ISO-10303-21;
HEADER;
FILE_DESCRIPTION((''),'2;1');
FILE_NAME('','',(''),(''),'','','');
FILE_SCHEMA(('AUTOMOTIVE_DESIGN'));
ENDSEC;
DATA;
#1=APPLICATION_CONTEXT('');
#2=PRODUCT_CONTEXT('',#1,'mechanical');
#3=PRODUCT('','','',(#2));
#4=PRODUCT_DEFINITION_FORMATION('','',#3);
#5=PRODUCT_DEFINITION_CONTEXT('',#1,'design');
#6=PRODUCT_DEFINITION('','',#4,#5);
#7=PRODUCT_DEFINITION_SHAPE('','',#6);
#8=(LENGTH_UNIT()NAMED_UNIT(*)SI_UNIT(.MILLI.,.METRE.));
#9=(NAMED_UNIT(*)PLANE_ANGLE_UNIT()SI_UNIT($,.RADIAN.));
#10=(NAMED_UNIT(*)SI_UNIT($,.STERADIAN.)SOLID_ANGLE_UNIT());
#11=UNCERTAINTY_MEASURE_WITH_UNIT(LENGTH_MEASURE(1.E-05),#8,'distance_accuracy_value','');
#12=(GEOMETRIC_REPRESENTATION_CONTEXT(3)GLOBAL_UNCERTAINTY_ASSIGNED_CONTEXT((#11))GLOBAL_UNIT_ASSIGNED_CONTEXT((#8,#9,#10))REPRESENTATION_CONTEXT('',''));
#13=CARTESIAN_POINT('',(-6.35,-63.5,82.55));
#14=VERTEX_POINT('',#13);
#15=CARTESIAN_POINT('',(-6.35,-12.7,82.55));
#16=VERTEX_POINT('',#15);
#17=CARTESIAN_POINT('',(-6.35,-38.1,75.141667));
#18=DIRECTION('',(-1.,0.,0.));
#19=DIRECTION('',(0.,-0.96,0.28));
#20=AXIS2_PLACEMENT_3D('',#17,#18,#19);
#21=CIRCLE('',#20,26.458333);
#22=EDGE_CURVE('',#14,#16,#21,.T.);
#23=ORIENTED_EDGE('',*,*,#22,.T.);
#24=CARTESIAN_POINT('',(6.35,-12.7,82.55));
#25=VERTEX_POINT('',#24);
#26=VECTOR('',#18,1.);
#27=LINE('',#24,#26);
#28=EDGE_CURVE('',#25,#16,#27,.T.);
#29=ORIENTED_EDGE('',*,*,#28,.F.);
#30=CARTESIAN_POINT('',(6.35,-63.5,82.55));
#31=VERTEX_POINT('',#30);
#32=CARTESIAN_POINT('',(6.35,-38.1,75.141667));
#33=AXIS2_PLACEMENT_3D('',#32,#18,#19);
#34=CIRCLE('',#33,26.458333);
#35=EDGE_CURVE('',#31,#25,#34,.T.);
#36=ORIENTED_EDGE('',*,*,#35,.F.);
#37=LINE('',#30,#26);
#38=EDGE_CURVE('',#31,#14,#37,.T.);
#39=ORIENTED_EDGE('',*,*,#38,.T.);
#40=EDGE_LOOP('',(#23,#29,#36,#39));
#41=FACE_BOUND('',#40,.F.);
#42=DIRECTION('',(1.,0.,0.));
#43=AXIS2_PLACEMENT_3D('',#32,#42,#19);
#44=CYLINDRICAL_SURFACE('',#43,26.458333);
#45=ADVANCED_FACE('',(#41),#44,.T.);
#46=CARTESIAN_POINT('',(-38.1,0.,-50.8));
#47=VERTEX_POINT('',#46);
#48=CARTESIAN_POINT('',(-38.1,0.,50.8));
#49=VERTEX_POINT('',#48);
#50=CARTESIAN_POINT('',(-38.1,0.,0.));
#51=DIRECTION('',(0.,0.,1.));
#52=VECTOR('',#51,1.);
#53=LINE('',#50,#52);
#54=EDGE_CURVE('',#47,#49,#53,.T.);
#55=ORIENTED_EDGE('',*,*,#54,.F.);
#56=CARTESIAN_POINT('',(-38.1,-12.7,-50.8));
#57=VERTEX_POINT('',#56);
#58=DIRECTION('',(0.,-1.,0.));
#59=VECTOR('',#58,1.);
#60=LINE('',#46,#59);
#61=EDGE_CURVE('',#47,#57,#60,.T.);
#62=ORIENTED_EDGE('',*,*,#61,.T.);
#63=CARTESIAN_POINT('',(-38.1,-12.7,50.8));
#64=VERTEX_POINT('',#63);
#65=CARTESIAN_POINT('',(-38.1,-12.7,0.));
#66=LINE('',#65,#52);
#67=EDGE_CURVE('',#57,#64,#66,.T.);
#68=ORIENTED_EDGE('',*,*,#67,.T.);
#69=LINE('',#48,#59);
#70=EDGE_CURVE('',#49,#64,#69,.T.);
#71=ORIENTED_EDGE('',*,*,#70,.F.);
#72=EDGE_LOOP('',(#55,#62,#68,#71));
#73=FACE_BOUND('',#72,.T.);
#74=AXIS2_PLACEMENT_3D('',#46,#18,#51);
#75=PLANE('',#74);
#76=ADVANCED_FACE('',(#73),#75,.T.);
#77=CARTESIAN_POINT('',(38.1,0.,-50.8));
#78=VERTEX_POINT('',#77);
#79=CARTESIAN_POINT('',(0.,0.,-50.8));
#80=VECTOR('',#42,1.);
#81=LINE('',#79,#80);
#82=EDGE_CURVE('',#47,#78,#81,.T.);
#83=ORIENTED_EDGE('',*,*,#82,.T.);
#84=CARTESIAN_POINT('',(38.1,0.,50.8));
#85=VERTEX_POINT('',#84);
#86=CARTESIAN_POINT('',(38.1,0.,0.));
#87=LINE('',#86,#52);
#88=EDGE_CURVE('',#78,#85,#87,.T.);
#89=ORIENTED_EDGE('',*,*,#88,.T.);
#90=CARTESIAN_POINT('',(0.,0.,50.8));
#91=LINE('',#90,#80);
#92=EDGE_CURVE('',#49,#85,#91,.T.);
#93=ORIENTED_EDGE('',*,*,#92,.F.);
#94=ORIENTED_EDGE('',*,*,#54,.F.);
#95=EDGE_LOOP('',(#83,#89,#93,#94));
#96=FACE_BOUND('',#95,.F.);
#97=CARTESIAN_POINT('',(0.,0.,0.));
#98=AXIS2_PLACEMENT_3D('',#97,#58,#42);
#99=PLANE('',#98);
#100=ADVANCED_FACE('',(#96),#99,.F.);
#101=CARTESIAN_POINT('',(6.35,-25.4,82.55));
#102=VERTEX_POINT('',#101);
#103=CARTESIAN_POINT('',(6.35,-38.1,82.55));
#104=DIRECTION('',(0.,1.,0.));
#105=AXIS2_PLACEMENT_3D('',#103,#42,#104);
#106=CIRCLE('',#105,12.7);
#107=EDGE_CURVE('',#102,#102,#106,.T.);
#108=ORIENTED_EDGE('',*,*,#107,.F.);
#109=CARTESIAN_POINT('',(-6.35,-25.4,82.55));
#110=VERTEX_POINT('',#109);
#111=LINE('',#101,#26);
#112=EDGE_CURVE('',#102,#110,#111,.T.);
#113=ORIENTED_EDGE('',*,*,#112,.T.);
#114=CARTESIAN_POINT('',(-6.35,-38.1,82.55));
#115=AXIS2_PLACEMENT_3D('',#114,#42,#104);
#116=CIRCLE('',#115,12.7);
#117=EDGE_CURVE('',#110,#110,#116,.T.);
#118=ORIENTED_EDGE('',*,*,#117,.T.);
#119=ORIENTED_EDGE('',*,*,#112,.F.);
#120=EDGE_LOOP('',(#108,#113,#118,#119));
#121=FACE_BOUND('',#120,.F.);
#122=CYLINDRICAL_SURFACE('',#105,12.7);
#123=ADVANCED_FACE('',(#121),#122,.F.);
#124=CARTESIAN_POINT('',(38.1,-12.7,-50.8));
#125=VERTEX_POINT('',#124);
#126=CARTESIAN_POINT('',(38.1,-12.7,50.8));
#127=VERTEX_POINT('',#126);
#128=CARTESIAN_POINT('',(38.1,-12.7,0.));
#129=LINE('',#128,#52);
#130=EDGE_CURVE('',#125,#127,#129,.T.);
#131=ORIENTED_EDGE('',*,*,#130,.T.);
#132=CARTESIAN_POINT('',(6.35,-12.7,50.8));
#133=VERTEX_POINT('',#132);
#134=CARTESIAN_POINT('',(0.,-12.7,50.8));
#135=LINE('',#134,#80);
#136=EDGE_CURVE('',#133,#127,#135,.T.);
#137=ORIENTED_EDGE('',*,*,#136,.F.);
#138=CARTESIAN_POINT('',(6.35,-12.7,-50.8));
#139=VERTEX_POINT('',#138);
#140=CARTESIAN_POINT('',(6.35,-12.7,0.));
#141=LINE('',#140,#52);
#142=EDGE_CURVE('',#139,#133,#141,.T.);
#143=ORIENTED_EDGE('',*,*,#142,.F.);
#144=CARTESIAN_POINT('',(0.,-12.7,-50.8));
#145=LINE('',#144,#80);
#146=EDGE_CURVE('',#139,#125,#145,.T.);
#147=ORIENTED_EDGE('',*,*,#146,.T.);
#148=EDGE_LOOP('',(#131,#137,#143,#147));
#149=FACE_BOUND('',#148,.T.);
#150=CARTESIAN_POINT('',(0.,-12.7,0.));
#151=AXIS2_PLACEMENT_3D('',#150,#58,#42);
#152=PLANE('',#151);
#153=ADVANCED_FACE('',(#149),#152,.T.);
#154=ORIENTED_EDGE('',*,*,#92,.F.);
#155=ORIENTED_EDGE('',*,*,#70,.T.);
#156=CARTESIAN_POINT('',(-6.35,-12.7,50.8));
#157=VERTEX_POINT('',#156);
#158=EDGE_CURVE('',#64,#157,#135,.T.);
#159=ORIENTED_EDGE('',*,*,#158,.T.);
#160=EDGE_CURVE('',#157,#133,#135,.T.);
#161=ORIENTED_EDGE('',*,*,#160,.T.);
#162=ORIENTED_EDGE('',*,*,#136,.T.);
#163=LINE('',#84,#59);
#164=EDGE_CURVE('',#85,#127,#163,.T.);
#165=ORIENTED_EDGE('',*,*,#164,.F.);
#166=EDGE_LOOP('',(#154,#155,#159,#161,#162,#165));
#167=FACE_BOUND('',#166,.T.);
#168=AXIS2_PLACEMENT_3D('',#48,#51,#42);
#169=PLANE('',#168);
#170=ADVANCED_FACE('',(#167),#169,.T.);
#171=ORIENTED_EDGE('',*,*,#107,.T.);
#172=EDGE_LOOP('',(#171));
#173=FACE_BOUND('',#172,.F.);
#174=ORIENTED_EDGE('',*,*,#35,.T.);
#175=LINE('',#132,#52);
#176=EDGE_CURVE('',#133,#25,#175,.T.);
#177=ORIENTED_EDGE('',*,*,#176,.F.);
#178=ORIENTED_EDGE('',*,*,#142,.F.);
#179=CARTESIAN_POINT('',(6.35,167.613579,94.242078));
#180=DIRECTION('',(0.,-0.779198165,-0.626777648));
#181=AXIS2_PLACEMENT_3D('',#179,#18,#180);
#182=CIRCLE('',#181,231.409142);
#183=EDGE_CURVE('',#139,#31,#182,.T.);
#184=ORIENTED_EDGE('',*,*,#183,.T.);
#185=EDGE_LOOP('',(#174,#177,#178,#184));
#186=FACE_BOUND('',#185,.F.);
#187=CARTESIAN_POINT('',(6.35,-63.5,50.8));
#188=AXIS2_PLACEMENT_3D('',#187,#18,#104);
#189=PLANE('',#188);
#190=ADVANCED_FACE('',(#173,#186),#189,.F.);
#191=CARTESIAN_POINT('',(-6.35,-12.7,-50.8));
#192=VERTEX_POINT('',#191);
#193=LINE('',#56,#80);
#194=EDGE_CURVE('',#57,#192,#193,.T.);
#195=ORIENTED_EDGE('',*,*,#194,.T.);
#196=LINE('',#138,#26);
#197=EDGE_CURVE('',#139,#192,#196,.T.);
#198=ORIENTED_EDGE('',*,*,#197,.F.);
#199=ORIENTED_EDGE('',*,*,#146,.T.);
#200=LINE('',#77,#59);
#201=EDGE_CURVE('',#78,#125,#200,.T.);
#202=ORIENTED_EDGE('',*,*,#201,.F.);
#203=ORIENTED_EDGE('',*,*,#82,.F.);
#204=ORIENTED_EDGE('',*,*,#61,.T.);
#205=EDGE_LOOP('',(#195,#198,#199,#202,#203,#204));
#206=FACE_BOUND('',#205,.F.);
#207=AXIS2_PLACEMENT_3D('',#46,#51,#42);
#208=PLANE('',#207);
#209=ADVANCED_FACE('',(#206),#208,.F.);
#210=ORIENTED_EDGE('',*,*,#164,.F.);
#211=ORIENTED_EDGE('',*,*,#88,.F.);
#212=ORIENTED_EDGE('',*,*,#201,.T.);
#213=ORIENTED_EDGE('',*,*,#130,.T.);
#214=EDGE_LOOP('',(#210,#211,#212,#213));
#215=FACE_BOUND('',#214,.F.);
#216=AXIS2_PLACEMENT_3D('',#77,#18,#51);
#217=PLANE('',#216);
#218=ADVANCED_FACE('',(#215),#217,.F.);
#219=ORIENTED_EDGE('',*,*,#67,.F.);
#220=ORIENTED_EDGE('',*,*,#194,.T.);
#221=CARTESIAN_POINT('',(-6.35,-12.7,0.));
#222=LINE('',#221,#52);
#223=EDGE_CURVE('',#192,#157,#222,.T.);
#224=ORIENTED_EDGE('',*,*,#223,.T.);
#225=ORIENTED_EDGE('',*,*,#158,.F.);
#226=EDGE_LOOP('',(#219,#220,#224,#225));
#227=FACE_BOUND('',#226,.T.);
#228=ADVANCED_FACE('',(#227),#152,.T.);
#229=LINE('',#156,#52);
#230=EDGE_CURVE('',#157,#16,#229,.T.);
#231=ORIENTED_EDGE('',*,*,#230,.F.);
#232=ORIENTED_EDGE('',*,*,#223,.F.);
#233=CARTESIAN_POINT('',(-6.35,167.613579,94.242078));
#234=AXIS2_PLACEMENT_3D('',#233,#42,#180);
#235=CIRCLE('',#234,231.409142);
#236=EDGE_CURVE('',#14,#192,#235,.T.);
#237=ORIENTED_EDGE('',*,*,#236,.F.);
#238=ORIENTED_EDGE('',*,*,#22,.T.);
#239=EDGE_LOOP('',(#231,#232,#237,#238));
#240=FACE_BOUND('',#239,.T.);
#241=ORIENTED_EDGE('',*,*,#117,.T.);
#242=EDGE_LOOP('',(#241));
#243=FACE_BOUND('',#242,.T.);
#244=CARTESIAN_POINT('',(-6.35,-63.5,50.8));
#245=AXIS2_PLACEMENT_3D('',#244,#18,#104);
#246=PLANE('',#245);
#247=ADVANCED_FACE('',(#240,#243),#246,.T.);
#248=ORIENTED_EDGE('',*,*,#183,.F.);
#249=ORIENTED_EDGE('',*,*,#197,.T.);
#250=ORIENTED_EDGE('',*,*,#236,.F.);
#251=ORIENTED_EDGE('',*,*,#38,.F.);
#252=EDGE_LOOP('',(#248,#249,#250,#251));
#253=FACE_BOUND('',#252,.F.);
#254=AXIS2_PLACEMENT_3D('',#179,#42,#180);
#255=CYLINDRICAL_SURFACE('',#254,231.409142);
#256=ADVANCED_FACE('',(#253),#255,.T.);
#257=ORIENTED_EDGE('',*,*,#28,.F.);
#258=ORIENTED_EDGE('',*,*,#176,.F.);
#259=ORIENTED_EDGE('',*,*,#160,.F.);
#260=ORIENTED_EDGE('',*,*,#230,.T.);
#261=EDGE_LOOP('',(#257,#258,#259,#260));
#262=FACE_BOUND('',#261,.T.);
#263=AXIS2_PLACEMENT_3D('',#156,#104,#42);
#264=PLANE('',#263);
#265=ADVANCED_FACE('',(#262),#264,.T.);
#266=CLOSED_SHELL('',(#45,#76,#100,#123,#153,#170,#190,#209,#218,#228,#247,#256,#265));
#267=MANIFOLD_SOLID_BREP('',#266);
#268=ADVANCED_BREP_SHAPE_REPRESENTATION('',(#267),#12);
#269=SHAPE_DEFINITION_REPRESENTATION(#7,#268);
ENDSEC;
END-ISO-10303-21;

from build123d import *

# Parameters (mm, degrees)
F0_W     = 76.2
F0_H     = 101.6
F1_DEPTH = 12.7
F2_W     = 12.7
F2_H     = 101.6
F3_DEPTH = 50.8
F4_W     = 12.7
F4_H     = 50.8
F5_DEPTH = 50.8
F6_R     = 12.7
F7_DEPTH = 25.4


with BuildPart() as f1:
    # F0 (on Front) → F1 (new body)
    with BuildSketch(Plane.XZ):
        Rectangle(F0_W, F0_H)
    extrude(amount=F1_DEPTH)

    # F2 (on face) → F3 (join)
    with BuildSketch(Plane.XZ.offset(12.7)):
        Rectangle(F2_W, F2_H)
    extrude(amount=F3_DEPTH)

    # F4 (on face) → F5 (join)
    with BuildSketch(Plane.XY.offset(50.8)):
        with Locations((0, -38.1)):
            Rectangle(F4_W, F4_H)
    extrude(amount=F5_DEPTH)

    # F6 (on face) → F7 (cut)
    with BuildSketch(Plane.YZ.offset(6.35)):
        with Locations((-38.1, 82.55)):
            Circle(F6_R)
        with BuildLine():
            ThreePointArc((-12.7, -50.8), (-48.635426, 11.861504), (-63.5, 82.55))
            Line((-63.5, 82.55), (-133.589551, -36.487788))
            Line((-133.589551, -36.487788), (-38.791277, -66.6712))
            Line((-38.791277, -66.6712), (-12.7, -50.8))
        make_face()
        with BuildLine():
            ThreePointArc((-63.5, 82.55), (-38.1, 101.6), (-12.7, 82.55))
            Line((-12.7, 82.55), (0, 103.250235))
            Line((0, 103.250235), (-76.800019, 103.250235))
            Line((-76.800019, 103.250235), (-63.5, 82.55))
        make_face()
    extrude(amount=-F7_DEPTH, mode=Mode.SUBTRACT)


solid = f1.part
